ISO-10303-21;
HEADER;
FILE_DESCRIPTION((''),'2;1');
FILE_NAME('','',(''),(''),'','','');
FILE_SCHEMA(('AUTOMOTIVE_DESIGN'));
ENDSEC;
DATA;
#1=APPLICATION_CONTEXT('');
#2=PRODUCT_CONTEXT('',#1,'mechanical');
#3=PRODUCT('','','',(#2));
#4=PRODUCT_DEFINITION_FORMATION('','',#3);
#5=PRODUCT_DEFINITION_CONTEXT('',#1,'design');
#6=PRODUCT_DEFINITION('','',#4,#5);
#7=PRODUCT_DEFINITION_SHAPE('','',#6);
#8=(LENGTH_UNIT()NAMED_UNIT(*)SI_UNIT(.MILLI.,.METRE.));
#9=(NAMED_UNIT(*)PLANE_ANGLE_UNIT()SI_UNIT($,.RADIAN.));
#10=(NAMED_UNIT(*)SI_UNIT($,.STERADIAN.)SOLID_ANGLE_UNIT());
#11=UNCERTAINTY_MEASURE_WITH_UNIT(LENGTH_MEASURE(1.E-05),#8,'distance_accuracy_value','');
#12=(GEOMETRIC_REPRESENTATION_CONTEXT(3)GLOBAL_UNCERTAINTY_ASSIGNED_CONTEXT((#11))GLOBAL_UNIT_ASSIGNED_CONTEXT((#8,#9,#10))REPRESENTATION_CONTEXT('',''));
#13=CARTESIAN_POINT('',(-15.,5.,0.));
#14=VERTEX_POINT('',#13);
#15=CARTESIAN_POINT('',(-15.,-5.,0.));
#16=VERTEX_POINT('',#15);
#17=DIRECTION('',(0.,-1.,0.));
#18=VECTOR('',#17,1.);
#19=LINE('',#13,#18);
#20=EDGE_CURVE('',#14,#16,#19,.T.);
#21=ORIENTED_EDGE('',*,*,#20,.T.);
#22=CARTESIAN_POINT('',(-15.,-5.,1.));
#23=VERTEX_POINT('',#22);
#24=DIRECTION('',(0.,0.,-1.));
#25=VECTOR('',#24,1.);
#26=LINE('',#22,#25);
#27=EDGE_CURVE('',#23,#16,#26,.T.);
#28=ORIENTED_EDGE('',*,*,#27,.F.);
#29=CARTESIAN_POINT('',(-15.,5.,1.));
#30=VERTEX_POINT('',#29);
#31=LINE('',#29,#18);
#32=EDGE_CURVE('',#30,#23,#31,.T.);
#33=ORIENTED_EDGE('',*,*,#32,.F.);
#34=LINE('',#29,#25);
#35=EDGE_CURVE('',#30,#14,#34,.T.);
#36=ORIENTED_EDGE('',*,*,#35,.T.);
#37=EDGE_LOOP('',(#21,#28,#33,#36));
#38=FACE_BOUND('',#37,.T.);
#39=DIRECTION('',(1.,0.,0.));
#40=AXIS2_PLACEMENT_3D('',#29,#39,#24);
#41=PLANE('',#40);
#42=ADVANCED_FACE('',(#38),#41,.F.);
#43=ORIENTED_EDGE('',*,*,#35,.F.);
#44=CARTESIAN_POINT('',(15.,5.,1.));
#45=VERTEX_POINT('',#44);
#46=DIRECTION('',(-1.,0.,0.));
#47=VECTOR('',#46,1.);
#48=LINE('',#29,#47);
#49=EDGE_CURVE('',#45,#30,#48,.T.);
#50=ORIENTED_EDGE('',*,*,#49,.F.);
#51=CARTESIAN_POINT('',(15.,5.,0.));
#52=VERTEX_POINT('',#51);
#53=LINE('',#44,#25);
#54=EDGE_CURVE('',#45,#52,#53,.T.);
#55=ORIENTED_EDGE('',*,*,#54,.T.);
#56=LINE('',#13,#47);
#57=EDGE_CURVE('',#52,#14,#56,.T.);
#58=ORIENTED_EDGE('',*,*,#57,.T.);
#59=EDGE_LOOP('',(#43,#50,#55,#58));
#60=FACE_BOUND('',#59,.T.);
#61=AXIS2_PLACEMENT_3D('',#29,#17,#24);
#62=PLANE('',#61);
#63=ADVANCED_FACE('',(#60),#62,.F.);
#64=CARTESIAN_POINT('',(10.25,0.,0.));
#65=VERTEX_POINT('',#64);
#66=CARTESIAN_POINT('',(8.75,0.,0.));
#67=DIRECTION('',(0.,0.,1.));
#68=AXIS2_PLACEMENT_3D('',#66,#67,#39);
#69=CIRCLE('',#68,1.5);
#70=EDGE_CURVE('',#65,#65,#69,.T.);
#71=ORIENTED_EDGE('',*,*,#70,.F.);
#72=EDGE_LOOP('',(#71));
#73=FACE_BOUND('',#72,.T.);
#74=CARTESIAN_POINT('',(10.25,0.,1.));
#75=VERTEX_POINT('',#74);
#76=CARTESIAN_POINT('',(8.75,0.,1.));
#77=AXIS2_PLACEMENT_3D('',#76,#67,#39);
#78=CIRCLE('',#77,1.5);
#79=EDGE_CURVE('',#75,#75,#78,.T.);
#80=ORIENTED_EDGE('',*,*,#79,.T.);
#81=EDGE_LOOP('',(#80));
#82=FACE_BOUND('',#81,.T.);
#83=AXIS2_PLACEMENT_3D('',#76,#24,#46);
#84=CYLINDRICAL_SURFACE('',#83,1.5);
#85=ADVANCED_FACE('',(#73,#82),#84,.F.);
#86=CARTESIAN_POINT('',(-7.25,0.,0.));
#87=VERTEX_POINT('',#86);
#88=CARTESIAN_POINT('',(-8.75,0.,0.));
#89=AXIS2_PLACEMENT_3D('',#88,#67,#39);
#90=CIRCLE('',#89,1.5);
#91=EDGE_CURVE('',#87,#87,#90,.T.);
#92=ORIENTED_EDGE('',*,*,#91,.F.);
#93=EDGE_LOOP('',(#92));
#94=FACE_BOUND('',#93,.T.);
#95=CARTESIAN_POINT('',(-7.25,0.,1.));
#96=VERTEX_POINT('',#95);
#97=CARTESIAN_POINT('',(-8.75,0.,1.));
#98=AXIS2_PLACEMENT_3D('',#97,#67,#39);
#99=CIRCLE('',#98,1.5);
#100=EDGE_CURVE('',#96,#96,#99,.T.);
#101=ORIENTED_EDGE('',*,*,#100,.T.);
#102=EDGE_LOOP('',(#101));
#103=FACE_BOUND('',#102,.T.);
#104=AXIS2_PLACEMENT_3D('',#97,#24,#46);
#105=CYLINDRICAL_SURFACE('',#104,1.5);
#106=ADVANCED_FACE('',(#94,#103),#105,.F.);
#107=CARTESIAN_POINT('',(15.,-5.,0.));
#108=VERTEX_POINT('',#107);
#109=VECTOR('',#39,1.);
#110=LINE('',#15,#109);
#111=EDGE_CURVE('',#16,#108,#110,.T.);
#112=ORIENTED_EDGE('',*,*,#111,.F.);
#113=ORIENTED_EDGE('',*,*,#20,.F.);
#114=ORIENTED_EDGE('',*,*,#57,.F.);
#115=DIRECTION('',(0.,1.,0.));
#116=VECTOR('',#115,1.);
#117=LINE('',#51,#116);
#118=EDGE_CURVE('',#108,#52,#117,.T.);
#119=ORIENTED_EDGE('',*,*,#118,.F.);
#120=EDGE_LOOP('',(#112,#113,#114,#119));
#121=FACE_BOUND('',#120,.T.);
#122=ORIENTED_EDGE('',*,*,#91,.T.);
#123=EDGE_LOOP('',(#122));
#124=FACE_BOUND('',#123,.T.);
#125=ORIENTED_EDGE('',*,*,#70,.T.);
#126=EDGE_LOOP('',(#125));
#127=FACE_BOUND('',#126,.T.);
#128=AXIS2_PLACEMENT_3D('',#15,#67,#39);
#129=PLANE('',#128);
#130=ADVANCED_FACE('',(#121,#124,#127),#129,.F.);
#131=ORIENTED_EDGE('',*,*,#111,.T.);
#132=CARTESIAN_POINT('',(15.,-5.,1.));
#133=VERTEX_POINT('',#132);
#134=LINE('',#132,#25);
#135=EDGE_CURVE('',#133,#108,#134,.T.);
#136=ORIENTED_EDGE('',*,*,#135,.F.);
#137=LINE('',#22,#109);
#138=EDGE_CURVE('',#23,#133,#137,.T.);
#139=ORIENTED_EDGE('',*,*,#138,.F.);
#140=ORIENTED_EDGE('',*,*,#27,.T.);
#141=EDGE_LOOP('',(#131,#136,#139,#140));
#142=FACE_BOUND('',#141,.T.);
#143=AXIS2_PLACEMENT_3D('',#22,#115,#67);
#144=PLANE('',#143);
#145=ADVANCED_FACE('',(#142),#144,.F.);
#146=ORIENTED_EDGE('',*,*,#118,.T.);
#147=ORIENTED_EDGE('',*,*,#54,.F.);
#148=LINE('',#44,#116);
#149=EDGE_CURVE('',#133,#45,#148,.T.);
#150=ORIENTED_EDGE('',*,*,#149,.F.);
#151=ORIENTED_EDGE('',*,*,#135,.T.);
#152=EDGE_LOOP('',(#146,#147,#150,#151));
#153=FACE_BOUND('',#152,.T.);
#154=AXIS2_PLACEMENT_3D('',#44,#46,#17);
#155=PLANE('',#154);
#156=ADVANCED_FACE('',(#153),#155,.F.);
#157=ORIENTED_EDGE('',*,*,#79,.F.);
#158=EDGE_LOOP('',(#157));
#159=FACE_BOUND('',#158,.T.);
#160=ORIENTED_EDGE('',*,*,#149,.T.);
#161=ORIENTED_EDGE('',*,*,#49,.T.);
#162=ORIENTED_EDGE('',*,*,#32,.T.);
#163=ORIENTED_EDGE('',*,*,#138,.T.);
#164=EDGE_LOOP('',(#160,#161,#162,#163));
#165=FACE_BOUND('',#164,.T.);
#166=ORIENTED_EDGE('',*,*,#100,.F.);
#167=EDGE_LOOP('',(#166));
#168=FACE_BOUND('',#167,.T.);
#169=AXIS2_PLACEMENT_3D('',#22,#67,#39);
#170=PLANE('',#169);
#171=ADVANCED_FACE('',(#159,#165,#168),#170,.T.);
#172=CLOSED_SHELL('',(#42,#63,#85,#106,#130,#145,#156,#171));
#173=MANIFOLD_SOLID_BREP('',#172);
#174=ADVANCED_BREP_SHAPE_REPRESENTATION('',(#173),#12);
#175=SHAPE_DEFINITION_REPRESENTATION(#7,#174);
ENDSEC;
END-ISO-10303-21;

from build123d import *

# Parameters (mm, degrees)
ESBO_O1_W                = 30
ESBO_O1_H                = 10
ESBO_O1_R                = 1.5
RESSALTO_EXTRUS_O1_DEPTH = 1


with BuildPart() as part:
    # Esboço1 → Ressalto-extrusão1 (new body)
    with BuildSketch(Plane.XY):
        Rectangle(ESBO_O1_W, ESBO_O1_H)
        with Locations((-8.75, 0)):
            Circle(ESBO_O1_R, mode=Mode.SUBTRACT)
        with Locations((8.75, 0)):
            Circle(ESBO_O1_R, mode=Mode.SUBTRACT)
    extrude(amount=RESSALTO_EXTRUS_O1_DEPTH)


solid = part.part
